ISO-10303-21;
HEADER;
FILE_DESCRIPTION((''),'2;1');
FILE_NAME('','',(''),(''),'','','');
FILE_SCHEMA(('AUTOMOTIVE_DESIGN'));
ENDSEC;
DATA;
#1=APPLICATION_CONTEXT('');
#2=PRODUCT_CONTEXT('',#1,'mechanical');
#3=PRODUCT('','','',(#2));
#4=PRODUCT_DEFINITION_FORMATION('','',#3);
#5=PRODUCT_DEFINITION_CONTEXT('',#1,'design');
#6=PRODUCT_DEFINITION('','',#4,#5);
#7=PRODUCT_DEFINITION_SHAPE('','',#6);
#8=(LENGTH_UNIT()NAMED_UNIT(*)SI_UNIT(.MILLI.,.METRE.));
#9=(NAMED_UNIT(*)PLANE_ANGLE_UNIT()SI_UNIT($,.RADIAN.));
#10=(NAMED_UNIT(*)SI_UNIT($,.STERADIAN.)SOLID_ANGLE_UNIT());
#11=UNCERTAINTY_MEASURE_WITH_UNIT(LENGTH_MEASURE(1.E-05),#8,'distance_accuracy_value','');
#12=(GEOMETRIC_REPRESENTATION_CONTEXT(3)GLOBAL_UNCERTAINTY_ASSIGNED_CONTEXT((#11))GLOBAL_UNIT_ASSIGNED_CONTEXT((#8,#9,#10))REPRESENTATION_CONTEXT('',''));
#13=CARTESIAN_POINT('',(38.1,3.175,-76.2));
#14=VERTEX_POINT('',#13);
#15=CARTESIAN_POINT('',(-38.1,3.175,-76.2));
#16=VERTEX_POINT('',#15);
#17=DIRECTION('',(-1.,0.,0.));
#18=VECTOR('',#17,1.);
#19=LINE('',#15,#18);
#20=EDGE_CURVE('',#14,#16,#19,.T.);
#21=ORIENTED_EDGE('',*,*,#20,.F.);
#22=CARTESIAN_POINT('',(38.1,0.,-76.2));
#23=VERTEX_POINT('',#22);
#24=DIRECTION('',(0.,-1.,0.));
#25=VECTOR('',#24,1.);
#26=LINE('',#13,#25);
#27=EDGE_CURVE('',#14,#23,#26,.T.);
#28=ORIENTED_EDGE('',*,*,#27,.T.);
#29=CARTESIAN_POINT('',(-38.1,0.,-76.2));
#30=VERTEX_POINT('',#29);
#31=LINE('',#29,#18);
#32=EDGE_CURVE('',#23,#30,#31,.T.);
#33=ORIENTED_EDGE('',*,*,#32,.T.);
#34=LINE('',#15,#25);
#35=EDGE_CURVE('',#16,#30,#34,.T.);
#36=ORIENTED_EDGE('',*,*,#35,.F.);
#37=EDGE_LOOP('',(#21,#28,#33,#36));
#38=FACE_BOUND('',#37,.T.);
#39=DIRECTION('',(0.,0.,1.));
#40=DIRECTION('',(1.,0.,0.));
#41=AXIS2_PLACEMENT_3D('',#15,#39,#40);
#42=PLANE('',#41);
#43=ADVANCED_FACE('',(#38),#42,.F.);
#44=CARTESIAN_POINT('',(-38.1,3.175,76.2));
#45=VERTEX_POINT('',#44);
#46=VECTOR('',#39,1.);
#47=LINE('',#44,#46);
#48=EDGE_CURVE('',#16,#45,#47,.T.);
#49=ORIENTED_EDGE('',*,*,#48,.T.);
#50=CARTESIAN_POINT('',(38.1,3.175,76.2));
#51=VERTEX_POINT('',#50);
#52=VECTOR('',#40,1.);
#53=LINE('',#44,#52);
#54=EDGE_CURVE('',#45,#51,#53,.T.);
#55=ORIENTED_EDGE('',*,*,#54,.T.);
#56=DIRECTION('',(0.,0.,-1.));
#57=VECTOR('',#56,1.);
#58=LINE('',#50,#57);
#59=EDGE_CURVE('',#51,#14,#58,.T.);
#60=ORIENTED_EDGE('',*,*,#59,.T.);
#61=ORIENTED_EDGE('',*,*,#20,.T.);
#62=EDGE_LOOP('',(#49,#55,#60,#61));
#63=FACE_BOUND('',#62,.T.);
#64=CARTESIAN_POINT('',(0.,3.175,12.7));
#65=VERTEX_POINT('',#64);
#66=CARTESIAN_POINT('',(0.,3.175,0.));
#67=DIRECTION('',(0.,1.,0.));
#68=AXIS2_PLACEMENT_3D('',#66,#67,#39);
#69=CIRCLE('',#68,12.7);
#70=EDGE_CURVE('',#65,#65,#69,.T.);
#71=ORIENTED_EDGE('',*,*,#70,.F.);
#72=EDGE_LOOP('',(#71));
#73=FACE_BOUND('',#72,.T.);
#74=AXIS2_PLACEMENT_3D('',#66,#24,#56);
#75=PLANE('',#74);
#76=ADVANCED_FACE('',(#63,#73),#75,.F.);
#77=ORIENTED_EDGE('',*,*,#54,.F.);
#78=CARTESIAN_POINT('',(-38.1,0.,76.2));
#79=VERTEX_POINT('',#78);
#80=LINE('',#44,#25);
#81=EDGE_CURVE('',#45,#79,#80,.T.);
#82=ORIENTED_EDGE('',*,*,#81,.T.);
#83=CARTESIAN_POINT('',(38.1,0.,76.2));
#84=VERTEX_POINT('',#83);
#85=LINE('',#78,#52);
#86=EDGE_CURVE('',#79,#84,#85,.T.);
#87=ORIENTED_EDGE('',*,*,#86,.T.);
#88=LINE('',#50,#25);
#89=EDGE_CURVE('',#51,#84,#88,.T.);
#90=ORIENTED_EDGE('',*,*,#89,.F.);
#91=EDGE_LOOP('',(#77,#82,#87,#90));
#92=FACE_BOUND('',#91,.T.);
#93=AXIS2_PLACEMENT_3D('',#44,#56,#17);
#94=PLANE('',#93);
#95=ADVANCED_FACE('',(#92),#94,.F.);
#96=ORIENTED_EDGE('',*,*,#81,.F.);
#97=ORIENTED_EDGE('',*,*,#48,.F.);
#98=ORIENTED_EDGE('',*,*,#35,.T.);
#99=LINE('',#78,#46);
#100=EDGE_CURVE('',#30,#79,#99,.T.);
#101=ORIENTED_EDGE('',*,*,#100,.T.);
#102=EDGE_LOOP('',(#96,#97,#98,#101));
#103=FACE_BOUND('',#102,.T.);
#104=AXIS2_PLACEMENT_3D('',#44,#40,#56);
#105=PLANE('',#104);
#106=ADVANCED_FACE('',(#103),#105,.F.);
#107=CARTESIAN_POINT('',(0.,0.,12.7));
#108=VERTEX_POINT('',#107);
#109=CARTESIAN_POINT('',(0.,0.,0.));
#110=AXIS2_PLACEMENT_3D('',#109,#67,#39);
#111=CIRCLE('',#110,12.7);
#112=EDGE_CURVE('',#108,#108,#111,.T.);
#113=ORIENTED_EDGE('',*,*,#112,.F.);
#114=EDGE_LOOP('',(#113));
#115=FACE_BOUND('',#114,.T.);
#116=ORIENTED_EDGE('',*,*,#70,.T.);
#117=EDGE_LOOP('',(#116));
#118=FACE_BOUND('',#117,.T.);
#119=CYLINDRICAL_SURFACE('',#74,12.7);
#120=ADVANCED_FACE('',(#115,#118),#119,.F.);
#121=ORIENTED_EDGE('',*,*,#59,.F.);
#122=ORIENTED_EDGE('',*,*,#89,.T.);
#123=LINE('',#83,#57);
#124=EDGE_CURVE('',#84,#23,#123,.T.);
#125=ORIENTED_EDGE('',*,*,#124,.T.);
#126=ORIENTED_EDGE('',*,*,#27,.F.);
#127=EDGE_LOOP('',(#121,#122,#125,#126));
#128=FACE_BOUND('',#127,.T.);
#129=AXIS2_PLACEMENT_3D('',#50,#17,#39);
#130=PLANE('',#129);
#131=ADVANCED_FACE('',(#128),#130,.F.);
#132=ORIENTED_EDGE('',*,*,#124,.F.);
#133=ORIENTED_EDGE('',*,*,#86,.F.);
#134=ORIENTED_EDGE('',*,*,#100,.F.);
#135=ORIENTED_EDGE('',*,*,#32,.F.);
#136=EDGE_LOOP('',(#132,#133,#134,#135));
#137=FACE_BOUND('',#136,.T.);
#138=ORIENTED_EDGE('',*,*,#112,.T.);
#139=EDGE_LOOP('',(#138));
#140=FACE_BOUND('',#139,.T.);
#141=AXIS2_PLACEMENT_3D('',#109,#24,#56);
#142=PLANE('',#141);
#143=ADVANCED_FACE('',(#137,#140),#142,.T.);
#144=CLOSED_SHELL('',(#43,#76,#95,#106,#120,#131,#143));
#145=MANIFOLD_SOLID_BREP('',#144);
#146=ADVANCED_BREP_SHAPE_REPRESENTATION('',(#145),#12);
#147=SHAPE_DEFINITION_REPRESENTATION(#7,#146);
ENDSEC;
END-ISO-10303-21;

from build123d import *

# Parameters (mm, degrees)
SKETCH1_W           = 76.2
SKETCH1_H           = 152.4
SKETCH1_R           = 12.7
BOSS_EXTRUDE1_DEPTH = 3.175


with BuildPart() as part:
    # Sketch1 → Boss-Extrude1 (new body)
    with BuildSketch(Plane(origin=(0, 0, 0), x_dir=(1, 0, 0), z_dir=(0, 1, 0))):
        Rectangle(SKETCH1_W, SKETCH1_H)
        with Locations(Location((0, 0, 0), (0, 0, 270))):
            Circle(SKETCH1_R, mode=Mode.SUBTRACT)
    extrude(amount=BOSS_EXTRUDE1_DEPTH)


solid = part.part
